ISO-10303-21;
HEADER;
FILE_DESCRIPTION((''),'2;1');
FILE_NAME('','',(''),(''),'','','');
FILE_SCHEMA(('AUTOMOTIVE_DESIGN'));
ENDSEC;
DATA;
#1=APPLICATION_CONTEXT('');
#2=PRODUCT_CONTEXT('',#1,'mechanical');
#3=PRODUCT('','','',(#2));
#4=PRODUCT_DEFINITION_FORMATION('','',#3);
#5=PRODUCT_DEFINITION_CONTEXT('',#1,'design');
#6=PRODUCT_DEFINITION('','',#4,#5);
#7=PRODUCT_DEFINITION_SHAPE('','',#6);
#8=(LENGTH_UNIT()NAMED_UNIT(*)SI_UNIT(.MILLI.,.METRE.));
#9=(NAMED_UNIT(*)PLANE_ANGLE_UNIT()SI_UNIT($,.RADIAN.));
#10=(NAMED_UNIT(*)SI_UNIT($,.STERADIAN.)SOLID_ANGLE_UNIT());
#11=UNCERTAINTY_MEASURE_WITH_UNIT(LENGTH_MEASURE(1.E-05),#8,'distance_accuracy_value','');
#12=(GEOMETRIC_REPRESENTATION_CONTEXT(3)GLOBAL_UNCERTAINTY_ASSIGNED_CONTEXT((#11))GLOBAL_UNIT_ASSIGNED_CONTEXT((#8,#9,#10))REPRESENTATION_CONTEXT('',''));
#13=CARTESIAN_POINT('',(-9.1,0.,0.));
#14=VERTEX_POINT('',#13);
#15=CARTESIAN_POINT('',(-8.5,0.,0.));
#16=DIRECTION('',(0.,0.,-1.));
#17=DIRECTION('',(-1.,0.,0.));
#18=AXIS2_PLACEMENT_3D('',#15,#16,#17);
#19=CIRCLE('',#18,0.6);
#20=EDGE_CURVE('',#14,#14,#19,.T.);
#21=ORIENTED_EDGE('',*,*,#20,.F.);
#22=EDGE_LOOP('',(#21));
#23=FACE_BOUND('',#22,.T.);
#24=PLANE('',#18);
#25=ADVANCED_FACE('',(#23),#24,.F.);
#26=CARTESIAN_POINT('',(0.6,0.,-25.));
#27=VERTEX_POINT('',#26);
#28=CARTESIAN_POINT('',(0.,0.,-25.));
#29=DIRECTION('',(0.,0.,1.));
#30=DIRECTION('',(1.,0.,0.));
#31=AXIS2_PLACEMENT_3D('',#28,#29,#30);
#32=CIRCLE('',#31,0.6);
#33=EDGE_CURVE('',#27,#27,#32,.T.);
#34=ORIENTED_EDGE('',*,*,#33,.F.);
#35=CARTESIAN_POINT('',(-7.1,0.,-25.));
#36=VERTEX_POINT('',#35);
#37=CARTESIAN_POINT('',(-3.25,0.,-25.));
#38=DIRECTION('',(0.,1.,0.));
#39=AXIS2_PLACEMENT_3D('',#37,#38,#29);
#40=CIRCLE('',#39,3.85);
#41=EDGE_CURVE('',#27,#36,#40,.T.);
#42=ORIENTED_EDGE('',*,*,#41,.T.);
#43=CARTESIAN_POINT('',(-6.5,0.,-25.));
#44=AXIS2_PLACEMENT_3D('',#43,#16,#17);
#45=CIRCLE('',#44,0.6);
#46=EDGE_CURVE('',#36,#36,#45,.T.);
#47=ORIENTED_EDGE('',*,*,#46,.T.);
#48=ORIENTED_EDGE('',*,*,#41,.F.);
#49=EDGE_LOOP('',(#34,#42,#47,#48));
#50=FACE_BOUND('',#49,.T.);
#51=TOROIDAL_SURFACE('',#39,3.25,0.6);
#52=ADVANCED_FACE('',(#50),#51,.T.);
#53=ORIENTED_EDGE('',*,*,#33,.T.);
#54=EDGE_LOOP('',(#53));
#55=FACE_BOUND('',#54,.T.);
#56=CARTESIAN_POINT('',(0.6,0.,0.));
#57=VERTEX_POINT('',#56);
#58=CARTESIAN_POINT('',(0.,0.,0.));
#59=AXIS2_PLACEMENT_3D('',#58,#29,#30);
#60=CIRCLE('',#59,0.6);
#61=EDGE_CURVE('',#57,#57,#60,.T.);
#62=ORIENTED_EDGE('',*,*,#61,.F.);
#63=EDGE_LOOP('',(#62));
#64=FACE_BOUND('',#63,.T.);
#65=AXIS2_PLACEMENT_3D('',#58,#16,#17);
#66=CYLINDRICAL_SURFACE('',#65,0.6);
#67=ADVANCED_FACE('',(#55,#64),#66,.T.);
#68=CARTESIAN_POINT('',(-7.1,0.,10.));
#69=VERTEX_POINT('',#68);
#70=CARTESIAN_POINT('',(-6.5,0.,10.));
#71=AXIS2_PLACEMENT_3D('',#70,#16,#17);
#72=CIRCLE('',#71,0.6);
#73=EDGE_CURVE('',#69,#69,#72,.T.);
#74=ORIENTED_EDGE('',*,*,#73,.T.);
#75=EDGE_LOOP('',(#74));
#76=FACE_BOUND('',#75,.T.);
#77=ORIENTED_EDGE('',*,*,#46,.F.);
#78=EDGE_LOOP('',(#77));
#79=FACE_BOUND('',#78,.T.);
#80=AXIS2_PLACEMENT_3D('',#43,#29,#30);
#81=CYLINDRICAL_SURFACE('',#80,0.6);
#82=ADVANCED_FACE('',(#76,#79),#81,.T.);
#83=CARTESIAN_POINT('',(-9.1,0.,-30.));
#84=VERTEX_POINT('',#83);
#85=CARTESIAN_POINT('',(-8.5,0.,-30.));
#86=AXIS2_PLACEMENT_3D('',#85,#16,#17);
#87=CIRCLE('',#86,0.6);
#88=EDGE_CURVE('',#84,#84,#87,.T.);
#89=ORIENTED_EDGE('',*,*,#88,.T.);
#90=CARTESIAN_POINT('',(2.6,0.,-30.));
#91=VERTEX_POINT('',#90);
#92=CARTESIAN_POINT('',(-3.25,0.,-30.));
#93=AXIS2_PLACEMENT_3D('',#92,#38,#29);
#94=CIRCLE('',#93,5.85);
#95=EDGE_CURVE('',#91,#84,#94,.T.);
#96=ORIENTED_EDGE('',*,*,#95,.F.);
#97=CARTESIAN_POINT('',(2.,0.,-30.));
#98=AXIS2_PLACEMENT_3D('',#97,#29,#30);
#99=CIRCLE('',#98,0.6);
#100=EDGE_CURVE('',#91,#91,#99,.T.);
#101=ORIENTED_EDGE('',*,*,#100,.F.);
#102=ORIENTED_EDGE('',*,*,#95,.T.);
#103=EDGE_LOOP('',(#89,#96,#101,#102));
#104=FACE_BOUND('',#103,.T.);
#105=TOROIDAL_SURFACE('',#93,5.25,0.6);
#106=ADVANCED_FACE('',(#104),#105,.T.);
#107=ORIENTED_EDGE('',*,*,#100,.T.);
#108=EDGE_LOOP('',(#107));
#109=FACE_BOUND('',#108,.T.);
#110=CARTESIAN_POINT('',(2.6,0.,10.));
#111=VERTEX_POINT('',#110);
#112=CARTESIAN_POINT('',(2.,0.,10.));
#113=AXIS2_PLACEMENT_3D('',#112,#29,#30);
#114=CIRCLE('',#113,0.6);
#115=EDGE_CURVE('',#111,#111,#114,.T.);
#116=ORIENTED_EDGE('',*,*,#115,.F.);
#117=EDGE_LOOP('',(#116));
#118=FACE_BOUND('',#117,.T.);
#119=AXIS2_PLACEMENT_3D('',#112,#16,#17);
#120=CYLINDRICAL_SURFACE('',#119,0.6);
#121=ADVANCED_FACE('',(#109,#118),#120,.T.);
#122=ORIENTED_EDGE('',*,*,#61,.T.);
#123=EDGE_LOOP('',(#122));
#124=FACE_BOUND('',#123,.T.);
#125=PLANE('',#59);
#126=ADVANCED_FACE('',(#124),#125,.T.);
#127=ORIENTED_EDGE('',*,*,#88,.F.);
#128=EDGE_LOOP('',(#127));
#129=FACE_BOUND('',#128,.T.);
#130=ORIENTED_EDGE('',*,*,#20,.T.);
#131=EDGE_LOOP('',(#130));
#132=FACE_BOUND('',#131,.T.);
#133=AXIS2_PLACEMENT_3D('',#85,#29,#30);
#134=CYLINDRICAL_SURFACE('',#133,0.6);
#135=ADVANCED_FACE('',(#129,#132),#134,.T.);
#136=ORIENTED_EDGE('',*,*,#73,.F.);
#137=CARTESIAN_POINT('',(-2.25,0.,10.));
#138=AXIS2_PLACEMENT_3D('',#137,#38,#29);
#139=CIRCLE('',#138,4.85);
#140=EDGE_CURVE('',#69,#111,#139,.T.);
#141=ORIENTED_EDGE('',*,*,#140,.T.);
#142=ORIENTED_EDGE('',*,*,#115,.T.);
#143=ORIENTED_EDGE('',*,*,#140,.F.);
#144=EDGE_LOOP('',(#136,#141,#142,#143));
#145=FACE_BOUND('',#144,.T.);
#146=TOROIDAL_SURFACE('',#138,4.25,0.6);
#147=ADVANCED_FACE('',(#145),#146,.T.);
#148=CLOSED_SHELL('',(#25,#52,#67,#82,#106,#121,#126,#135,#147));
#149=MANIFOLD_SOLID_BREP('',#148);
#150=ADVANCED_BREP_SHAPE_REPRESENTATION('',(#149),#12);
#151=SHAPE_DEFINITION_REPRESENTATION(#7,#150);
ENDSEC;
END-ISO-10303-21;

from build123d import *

# Parameters (mm, degrees)
SWEEP1_PROFILE_R = 0.6


with BuildPart() as part:
    # Sweep1: sweep along a path in Sketch1
    with BuildLine(Plane(origin=(0, 0, 0), x_dir=(1, 0, 0), z_dir=(0, 1, 0))) as sweep1_path:
        Line((0, 0), (0, 25))
        ThreePointArc((0, 25), (-3.25, 28.25), (-6.5, 25))
        Line((-6.5, 25), (-6.5, -10))
        ThreePointArc((-6.5, -10), (-2.25, -14.25), (2, -10))
        Line((2, -10), (2, 30))
        ThreePointArc((2, 30), (-3.25, 35.25), (-8.5, 30))
        Line((-8.5, 30), (-8.5, 0))
    # Sweep1 profile (on start of the path) → Sweep1 (sweep)
    with BuildSketch(Plane(origin=(0, 0, 0), x_dir=(-1, 0, 0), z_dir=(0, 0, -1))):
        Circle(SWEEP1_PROFILE_R)
    sweep(path=sweep1_path.line)


solid = part.part
